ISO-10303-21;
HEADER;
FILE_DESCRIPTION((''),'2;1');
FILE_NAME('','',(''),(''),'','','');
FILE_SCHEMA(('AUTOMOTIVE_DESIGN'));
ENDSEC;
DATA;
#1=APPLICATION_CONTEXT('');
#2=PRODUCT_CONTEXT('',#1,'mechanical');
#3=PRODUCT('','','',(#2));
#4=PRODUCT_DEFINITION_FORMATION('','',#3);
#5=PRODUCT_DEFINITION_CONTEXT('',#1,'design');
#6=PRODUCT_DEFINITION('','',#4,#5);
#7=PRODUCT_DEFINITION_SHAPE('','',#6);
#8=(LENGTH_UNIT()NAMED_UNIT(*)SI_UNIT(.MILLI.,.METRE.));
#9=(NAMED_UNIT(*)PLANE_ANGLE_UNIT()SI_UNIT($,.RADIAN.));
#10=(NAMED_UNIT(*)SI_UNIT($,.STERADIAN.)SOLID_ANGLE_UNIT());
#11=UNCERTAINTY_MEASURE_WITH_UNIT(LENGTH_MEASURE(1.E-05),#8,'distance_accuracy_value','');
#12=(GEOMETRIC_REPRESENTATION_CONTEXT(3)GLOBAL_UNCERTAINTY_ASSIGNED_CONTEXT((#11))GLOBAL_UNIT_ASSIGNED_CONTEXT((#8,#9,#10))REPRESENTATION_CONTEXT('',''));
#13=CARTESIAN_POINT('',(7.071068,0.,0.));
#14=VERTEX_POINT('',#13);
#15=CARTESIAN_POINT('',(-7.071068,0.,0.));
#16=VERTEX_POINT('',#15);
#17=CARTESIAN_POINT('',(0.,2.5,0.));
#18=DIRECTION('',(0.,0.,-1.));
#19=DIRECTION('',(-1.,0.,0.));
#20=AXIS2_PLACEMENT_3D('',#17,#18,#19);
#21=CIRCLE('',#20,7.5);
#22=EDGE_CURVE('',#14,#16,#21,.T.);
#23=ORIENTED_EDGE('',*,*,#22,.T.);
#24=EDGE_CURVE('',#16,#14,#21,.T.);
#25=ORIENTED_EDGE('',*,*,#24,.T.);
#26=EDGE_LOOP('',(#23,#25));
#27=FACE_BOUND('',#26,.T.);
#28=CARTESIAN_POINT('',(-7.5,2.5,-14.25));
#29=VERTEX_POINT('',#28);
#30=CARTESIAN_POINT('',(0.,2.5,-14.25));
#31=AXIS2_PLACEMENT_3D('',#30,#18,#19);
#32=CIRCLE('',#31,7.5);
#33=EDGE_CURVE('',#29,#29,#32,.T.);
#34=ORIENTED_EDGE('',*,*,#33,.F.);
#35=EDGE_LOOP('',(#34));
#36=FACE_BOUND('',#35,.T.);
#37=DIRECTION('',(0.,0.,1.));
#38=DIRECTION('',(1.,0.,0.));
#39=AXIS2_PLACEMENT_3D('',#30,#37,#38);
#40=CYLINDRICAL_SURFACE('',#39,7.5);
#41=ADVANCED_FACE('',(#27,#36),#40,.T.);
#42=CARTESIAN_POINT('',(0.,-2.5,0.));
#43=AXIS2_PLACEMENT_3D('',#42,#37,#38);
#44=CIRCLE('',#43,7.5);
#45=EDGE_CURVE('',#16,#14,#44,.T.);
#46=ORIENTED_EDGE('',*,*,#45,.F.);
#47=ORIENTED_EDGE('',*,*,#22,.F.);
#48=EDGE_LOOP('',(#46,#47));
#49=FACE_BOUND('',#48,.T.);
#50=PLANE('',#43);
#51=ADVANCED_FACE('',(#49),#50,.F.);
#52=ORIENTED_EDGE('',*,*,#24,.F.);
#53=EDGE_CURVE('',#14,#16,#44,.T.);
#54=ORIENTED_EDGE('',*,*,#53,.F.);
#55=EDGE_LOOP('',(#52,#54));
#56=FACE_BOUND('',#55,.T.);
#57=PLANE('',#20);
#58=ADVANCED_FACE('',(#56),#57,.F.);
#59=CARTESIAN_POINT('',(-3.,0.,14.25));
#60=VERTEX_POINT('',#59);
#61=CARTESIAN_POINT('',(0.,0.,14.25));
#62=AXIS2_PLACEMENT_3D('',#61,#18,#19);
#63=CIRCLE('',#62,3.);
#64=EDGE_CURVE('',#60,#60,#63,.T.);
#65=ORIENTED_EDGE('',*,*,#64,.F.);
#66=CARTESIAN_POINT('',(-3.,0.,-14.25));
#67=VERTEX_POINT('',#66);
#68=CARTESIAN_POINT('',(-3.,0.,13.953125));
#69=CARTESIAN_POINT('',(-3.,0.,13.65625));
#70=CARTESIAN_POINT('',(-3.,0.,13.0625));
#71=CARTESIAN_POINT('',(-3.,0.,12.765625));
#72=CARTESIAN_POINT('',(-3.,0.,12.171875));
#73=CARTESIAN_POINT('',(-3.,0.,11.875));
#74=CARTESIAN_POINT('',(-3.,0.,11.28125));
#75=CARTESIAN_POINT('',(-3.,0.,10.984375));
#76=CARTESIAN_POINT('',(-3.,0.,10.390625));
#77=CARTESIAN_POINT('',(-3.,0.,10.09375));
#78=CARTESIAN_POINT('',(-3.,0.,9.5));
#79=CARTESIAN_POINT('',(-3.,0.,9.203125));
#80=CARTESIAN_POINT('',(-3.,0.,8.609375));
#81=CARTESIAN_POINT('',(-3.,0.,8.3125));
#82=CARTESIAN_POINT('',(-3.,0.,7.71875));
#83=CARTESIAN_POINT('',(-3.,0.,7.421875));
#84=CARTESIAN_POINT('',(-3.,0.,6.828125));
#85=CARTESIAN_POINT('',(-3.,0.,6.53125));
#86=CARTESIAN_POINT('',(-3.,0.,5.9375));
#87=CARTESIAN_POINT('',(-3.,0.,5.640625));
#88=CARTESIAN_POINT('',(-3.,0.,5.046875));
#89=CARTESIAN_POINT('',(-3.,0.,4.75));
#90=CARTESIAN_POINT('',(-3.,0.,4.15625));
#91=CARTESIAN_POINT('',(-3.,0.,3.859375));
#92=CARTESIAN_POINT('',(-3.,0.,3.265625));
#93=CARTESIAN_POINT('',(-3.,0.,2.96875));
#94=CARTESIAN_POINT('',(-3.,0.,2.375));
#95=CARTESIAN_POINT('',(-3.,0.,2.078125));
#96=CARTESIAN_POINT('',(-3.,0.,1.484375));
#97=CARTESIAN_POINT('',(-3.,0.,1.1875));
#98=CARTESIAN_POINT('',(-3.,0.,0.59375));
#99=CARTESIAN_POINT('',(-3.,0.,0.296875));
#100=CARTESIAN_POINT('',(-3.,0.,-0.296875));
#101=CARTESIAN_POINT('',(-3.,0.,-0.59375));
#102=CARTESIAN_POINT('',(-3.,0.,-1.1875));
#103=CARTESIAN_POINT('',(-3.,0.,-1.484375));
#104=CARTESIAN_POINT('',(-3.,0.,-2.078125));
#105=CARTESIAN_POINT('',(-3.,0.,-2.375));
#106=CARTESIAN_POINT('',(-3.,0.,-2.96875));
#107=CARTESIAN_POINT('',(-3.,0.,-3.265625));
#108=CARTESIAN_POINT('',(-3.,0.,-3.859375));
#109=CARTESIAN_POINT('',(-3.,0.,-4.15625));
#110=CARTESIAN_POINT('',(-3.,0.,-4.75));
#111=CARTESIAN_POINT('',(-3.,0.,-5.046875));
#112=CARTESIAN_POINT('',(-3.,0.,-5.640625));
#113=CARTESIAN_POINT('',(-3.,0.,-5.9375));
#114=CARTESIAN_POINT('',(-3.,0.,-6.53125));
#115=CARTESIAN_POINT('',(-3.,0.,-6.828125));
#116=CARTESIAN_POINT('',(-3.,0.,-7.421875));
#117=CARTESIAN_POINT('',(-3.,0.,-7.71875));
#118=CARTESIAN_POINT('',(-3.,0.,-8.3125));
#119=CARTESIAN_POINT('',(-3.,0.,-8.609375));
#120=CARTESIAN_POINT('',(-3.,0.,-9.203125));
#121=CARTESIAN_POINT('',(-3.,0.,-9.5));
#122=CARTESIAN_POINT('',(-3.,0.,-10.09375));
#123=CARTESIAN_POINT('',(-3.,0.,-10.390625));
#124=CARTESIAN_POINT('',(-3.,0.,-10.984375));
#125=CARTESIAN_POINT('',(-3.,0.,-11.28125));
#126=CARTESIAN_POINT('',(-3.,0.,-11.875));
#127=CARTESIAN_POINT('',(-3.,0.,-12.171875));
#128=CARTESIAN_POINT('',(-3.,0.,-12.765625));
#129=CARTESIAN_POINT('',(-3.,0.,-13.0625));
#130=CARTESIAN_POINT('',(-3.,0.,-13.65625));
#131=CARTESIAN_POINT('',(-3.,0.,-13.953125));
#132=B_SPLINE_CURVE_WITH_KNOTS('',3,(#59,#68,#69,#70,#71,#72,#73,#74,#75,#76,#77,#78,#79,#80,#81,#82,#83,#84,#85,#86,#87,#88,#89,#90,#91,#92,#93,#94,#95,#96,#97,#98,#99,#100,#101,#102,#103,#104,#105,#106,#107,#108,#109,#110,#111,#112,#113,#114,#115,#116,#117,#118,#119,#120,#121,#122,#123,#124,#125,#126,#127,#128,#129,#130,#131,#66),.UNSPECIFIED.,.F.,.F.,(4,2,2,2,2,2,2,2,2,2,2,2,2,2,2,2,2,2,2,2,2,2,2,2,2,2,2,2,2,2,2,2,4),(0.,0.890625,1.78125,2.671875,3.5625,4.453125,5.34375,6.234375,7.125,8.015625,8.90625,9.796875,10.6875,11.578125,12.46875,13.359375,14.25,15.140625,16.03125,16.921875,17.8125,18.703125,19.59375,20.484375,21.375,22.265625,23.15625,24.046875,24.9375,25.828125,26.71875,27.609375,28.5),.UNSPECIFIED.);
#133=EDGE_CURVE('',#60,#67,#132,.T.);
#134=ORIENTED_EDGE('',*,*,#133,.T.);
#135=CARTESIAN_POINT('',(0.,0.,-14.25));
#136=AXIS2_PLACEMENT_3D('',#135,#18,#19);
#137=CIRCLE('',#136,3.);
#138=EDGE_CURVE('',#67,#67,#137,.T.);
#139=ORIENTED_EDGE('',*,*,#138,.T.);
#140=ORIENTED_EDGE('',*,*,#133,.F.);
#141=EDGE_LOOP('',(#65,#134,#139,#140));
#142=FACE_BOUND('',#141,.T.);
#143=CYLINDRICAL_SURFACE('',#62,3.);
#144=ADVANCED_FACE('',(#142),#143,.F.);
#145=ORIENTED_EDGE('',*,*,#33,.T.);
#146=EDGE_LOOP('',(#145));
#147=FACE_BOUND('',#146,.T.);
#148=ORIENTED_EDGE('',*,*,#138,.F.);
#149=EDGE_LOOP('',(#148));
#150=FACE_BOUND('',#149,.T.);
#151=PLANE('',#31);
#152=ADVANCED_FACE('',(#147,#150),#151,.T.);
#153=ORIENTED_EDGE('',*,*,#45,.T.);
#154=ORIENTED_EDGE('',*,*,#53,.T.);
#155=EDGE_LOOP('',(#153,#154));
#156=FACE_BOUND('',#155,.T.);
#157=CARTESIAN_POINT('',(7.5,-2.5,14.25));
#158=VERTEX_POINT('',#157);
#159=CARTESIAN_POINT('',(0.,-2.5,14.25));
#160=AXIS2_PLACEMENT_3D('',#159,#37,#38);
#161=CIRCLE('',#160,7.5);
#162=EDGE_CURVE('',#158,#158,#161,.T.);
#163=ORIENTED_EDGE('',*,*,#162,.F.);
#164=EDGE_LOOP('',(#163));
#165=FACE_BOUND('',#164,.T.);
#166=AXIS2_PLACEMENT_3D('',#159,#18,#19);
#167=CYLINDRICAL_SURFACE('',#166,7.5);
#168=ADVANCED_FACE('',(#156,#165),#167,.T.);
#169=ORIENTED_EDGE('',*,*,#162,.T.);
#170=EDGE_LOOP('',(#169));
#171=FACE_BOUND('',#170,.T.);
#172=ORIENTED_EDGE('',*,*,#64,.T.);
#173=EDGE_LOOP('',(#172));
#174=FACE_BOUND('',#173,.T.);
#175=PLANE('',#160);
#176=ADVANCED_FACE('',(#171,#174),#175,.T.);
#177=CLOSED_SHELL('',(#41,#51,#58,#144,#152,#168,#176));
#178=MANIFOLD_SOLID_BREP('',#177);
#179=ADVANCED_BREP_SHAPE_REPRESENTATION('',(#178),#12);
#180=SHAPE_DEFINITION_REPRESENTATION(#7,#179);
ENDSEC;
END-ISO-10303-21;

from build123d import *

# Parameters (mm, degrees)
SKETCH1_R           = 7.5
BOSS_EXTRUDE1_DEPTH = 14.25
SKETCH2_R           = 7.5
BOSS_EXTRUDE2_DEPTH = 14.25
SKETCH3_R           = 3
CUT_EXTRUDE1_DEPTH  = 32.120732639


with BuildPart() as part:
    # Sketch1 → Boss-Extrude1 (new body)
    with BuildSketch(Plane.XY):
        with Locations(Location((0, -2.5, 0), (0, 0, 180))):
            Circle(SKETCH1_R)
    extrude(amount=BOSS_EXTRUDE1_DEPTH)

    # Sketch2 → Boss-Extrude2 (add)
    with BuildSketch(Plane(origin=(0, 0, 0), x_dir=(-1, 0, 0), z_dir=(0, 0, -1))):
        with Locations(Location((0, 2.5, 0), (0, 0, 199.471220634))):
            Circle(SKETCH2_R)
    extrude(amount=BOSS_EXTRUDE2_DEPTH)

    # Sketch3 → Cut-Extrude1 (cut, through all)
    with BuildSketch(Plane(origin=(0, 0, -14.25), x_dir=(-1, 0, 0), z_dir=(0, 0, -1))):
        Circle(SKETCH3_R)
    extrude(amount=-CUT_EXTRUDE1_DEPTH, mode=Mode.SUBTRACT)


solid = part.part
